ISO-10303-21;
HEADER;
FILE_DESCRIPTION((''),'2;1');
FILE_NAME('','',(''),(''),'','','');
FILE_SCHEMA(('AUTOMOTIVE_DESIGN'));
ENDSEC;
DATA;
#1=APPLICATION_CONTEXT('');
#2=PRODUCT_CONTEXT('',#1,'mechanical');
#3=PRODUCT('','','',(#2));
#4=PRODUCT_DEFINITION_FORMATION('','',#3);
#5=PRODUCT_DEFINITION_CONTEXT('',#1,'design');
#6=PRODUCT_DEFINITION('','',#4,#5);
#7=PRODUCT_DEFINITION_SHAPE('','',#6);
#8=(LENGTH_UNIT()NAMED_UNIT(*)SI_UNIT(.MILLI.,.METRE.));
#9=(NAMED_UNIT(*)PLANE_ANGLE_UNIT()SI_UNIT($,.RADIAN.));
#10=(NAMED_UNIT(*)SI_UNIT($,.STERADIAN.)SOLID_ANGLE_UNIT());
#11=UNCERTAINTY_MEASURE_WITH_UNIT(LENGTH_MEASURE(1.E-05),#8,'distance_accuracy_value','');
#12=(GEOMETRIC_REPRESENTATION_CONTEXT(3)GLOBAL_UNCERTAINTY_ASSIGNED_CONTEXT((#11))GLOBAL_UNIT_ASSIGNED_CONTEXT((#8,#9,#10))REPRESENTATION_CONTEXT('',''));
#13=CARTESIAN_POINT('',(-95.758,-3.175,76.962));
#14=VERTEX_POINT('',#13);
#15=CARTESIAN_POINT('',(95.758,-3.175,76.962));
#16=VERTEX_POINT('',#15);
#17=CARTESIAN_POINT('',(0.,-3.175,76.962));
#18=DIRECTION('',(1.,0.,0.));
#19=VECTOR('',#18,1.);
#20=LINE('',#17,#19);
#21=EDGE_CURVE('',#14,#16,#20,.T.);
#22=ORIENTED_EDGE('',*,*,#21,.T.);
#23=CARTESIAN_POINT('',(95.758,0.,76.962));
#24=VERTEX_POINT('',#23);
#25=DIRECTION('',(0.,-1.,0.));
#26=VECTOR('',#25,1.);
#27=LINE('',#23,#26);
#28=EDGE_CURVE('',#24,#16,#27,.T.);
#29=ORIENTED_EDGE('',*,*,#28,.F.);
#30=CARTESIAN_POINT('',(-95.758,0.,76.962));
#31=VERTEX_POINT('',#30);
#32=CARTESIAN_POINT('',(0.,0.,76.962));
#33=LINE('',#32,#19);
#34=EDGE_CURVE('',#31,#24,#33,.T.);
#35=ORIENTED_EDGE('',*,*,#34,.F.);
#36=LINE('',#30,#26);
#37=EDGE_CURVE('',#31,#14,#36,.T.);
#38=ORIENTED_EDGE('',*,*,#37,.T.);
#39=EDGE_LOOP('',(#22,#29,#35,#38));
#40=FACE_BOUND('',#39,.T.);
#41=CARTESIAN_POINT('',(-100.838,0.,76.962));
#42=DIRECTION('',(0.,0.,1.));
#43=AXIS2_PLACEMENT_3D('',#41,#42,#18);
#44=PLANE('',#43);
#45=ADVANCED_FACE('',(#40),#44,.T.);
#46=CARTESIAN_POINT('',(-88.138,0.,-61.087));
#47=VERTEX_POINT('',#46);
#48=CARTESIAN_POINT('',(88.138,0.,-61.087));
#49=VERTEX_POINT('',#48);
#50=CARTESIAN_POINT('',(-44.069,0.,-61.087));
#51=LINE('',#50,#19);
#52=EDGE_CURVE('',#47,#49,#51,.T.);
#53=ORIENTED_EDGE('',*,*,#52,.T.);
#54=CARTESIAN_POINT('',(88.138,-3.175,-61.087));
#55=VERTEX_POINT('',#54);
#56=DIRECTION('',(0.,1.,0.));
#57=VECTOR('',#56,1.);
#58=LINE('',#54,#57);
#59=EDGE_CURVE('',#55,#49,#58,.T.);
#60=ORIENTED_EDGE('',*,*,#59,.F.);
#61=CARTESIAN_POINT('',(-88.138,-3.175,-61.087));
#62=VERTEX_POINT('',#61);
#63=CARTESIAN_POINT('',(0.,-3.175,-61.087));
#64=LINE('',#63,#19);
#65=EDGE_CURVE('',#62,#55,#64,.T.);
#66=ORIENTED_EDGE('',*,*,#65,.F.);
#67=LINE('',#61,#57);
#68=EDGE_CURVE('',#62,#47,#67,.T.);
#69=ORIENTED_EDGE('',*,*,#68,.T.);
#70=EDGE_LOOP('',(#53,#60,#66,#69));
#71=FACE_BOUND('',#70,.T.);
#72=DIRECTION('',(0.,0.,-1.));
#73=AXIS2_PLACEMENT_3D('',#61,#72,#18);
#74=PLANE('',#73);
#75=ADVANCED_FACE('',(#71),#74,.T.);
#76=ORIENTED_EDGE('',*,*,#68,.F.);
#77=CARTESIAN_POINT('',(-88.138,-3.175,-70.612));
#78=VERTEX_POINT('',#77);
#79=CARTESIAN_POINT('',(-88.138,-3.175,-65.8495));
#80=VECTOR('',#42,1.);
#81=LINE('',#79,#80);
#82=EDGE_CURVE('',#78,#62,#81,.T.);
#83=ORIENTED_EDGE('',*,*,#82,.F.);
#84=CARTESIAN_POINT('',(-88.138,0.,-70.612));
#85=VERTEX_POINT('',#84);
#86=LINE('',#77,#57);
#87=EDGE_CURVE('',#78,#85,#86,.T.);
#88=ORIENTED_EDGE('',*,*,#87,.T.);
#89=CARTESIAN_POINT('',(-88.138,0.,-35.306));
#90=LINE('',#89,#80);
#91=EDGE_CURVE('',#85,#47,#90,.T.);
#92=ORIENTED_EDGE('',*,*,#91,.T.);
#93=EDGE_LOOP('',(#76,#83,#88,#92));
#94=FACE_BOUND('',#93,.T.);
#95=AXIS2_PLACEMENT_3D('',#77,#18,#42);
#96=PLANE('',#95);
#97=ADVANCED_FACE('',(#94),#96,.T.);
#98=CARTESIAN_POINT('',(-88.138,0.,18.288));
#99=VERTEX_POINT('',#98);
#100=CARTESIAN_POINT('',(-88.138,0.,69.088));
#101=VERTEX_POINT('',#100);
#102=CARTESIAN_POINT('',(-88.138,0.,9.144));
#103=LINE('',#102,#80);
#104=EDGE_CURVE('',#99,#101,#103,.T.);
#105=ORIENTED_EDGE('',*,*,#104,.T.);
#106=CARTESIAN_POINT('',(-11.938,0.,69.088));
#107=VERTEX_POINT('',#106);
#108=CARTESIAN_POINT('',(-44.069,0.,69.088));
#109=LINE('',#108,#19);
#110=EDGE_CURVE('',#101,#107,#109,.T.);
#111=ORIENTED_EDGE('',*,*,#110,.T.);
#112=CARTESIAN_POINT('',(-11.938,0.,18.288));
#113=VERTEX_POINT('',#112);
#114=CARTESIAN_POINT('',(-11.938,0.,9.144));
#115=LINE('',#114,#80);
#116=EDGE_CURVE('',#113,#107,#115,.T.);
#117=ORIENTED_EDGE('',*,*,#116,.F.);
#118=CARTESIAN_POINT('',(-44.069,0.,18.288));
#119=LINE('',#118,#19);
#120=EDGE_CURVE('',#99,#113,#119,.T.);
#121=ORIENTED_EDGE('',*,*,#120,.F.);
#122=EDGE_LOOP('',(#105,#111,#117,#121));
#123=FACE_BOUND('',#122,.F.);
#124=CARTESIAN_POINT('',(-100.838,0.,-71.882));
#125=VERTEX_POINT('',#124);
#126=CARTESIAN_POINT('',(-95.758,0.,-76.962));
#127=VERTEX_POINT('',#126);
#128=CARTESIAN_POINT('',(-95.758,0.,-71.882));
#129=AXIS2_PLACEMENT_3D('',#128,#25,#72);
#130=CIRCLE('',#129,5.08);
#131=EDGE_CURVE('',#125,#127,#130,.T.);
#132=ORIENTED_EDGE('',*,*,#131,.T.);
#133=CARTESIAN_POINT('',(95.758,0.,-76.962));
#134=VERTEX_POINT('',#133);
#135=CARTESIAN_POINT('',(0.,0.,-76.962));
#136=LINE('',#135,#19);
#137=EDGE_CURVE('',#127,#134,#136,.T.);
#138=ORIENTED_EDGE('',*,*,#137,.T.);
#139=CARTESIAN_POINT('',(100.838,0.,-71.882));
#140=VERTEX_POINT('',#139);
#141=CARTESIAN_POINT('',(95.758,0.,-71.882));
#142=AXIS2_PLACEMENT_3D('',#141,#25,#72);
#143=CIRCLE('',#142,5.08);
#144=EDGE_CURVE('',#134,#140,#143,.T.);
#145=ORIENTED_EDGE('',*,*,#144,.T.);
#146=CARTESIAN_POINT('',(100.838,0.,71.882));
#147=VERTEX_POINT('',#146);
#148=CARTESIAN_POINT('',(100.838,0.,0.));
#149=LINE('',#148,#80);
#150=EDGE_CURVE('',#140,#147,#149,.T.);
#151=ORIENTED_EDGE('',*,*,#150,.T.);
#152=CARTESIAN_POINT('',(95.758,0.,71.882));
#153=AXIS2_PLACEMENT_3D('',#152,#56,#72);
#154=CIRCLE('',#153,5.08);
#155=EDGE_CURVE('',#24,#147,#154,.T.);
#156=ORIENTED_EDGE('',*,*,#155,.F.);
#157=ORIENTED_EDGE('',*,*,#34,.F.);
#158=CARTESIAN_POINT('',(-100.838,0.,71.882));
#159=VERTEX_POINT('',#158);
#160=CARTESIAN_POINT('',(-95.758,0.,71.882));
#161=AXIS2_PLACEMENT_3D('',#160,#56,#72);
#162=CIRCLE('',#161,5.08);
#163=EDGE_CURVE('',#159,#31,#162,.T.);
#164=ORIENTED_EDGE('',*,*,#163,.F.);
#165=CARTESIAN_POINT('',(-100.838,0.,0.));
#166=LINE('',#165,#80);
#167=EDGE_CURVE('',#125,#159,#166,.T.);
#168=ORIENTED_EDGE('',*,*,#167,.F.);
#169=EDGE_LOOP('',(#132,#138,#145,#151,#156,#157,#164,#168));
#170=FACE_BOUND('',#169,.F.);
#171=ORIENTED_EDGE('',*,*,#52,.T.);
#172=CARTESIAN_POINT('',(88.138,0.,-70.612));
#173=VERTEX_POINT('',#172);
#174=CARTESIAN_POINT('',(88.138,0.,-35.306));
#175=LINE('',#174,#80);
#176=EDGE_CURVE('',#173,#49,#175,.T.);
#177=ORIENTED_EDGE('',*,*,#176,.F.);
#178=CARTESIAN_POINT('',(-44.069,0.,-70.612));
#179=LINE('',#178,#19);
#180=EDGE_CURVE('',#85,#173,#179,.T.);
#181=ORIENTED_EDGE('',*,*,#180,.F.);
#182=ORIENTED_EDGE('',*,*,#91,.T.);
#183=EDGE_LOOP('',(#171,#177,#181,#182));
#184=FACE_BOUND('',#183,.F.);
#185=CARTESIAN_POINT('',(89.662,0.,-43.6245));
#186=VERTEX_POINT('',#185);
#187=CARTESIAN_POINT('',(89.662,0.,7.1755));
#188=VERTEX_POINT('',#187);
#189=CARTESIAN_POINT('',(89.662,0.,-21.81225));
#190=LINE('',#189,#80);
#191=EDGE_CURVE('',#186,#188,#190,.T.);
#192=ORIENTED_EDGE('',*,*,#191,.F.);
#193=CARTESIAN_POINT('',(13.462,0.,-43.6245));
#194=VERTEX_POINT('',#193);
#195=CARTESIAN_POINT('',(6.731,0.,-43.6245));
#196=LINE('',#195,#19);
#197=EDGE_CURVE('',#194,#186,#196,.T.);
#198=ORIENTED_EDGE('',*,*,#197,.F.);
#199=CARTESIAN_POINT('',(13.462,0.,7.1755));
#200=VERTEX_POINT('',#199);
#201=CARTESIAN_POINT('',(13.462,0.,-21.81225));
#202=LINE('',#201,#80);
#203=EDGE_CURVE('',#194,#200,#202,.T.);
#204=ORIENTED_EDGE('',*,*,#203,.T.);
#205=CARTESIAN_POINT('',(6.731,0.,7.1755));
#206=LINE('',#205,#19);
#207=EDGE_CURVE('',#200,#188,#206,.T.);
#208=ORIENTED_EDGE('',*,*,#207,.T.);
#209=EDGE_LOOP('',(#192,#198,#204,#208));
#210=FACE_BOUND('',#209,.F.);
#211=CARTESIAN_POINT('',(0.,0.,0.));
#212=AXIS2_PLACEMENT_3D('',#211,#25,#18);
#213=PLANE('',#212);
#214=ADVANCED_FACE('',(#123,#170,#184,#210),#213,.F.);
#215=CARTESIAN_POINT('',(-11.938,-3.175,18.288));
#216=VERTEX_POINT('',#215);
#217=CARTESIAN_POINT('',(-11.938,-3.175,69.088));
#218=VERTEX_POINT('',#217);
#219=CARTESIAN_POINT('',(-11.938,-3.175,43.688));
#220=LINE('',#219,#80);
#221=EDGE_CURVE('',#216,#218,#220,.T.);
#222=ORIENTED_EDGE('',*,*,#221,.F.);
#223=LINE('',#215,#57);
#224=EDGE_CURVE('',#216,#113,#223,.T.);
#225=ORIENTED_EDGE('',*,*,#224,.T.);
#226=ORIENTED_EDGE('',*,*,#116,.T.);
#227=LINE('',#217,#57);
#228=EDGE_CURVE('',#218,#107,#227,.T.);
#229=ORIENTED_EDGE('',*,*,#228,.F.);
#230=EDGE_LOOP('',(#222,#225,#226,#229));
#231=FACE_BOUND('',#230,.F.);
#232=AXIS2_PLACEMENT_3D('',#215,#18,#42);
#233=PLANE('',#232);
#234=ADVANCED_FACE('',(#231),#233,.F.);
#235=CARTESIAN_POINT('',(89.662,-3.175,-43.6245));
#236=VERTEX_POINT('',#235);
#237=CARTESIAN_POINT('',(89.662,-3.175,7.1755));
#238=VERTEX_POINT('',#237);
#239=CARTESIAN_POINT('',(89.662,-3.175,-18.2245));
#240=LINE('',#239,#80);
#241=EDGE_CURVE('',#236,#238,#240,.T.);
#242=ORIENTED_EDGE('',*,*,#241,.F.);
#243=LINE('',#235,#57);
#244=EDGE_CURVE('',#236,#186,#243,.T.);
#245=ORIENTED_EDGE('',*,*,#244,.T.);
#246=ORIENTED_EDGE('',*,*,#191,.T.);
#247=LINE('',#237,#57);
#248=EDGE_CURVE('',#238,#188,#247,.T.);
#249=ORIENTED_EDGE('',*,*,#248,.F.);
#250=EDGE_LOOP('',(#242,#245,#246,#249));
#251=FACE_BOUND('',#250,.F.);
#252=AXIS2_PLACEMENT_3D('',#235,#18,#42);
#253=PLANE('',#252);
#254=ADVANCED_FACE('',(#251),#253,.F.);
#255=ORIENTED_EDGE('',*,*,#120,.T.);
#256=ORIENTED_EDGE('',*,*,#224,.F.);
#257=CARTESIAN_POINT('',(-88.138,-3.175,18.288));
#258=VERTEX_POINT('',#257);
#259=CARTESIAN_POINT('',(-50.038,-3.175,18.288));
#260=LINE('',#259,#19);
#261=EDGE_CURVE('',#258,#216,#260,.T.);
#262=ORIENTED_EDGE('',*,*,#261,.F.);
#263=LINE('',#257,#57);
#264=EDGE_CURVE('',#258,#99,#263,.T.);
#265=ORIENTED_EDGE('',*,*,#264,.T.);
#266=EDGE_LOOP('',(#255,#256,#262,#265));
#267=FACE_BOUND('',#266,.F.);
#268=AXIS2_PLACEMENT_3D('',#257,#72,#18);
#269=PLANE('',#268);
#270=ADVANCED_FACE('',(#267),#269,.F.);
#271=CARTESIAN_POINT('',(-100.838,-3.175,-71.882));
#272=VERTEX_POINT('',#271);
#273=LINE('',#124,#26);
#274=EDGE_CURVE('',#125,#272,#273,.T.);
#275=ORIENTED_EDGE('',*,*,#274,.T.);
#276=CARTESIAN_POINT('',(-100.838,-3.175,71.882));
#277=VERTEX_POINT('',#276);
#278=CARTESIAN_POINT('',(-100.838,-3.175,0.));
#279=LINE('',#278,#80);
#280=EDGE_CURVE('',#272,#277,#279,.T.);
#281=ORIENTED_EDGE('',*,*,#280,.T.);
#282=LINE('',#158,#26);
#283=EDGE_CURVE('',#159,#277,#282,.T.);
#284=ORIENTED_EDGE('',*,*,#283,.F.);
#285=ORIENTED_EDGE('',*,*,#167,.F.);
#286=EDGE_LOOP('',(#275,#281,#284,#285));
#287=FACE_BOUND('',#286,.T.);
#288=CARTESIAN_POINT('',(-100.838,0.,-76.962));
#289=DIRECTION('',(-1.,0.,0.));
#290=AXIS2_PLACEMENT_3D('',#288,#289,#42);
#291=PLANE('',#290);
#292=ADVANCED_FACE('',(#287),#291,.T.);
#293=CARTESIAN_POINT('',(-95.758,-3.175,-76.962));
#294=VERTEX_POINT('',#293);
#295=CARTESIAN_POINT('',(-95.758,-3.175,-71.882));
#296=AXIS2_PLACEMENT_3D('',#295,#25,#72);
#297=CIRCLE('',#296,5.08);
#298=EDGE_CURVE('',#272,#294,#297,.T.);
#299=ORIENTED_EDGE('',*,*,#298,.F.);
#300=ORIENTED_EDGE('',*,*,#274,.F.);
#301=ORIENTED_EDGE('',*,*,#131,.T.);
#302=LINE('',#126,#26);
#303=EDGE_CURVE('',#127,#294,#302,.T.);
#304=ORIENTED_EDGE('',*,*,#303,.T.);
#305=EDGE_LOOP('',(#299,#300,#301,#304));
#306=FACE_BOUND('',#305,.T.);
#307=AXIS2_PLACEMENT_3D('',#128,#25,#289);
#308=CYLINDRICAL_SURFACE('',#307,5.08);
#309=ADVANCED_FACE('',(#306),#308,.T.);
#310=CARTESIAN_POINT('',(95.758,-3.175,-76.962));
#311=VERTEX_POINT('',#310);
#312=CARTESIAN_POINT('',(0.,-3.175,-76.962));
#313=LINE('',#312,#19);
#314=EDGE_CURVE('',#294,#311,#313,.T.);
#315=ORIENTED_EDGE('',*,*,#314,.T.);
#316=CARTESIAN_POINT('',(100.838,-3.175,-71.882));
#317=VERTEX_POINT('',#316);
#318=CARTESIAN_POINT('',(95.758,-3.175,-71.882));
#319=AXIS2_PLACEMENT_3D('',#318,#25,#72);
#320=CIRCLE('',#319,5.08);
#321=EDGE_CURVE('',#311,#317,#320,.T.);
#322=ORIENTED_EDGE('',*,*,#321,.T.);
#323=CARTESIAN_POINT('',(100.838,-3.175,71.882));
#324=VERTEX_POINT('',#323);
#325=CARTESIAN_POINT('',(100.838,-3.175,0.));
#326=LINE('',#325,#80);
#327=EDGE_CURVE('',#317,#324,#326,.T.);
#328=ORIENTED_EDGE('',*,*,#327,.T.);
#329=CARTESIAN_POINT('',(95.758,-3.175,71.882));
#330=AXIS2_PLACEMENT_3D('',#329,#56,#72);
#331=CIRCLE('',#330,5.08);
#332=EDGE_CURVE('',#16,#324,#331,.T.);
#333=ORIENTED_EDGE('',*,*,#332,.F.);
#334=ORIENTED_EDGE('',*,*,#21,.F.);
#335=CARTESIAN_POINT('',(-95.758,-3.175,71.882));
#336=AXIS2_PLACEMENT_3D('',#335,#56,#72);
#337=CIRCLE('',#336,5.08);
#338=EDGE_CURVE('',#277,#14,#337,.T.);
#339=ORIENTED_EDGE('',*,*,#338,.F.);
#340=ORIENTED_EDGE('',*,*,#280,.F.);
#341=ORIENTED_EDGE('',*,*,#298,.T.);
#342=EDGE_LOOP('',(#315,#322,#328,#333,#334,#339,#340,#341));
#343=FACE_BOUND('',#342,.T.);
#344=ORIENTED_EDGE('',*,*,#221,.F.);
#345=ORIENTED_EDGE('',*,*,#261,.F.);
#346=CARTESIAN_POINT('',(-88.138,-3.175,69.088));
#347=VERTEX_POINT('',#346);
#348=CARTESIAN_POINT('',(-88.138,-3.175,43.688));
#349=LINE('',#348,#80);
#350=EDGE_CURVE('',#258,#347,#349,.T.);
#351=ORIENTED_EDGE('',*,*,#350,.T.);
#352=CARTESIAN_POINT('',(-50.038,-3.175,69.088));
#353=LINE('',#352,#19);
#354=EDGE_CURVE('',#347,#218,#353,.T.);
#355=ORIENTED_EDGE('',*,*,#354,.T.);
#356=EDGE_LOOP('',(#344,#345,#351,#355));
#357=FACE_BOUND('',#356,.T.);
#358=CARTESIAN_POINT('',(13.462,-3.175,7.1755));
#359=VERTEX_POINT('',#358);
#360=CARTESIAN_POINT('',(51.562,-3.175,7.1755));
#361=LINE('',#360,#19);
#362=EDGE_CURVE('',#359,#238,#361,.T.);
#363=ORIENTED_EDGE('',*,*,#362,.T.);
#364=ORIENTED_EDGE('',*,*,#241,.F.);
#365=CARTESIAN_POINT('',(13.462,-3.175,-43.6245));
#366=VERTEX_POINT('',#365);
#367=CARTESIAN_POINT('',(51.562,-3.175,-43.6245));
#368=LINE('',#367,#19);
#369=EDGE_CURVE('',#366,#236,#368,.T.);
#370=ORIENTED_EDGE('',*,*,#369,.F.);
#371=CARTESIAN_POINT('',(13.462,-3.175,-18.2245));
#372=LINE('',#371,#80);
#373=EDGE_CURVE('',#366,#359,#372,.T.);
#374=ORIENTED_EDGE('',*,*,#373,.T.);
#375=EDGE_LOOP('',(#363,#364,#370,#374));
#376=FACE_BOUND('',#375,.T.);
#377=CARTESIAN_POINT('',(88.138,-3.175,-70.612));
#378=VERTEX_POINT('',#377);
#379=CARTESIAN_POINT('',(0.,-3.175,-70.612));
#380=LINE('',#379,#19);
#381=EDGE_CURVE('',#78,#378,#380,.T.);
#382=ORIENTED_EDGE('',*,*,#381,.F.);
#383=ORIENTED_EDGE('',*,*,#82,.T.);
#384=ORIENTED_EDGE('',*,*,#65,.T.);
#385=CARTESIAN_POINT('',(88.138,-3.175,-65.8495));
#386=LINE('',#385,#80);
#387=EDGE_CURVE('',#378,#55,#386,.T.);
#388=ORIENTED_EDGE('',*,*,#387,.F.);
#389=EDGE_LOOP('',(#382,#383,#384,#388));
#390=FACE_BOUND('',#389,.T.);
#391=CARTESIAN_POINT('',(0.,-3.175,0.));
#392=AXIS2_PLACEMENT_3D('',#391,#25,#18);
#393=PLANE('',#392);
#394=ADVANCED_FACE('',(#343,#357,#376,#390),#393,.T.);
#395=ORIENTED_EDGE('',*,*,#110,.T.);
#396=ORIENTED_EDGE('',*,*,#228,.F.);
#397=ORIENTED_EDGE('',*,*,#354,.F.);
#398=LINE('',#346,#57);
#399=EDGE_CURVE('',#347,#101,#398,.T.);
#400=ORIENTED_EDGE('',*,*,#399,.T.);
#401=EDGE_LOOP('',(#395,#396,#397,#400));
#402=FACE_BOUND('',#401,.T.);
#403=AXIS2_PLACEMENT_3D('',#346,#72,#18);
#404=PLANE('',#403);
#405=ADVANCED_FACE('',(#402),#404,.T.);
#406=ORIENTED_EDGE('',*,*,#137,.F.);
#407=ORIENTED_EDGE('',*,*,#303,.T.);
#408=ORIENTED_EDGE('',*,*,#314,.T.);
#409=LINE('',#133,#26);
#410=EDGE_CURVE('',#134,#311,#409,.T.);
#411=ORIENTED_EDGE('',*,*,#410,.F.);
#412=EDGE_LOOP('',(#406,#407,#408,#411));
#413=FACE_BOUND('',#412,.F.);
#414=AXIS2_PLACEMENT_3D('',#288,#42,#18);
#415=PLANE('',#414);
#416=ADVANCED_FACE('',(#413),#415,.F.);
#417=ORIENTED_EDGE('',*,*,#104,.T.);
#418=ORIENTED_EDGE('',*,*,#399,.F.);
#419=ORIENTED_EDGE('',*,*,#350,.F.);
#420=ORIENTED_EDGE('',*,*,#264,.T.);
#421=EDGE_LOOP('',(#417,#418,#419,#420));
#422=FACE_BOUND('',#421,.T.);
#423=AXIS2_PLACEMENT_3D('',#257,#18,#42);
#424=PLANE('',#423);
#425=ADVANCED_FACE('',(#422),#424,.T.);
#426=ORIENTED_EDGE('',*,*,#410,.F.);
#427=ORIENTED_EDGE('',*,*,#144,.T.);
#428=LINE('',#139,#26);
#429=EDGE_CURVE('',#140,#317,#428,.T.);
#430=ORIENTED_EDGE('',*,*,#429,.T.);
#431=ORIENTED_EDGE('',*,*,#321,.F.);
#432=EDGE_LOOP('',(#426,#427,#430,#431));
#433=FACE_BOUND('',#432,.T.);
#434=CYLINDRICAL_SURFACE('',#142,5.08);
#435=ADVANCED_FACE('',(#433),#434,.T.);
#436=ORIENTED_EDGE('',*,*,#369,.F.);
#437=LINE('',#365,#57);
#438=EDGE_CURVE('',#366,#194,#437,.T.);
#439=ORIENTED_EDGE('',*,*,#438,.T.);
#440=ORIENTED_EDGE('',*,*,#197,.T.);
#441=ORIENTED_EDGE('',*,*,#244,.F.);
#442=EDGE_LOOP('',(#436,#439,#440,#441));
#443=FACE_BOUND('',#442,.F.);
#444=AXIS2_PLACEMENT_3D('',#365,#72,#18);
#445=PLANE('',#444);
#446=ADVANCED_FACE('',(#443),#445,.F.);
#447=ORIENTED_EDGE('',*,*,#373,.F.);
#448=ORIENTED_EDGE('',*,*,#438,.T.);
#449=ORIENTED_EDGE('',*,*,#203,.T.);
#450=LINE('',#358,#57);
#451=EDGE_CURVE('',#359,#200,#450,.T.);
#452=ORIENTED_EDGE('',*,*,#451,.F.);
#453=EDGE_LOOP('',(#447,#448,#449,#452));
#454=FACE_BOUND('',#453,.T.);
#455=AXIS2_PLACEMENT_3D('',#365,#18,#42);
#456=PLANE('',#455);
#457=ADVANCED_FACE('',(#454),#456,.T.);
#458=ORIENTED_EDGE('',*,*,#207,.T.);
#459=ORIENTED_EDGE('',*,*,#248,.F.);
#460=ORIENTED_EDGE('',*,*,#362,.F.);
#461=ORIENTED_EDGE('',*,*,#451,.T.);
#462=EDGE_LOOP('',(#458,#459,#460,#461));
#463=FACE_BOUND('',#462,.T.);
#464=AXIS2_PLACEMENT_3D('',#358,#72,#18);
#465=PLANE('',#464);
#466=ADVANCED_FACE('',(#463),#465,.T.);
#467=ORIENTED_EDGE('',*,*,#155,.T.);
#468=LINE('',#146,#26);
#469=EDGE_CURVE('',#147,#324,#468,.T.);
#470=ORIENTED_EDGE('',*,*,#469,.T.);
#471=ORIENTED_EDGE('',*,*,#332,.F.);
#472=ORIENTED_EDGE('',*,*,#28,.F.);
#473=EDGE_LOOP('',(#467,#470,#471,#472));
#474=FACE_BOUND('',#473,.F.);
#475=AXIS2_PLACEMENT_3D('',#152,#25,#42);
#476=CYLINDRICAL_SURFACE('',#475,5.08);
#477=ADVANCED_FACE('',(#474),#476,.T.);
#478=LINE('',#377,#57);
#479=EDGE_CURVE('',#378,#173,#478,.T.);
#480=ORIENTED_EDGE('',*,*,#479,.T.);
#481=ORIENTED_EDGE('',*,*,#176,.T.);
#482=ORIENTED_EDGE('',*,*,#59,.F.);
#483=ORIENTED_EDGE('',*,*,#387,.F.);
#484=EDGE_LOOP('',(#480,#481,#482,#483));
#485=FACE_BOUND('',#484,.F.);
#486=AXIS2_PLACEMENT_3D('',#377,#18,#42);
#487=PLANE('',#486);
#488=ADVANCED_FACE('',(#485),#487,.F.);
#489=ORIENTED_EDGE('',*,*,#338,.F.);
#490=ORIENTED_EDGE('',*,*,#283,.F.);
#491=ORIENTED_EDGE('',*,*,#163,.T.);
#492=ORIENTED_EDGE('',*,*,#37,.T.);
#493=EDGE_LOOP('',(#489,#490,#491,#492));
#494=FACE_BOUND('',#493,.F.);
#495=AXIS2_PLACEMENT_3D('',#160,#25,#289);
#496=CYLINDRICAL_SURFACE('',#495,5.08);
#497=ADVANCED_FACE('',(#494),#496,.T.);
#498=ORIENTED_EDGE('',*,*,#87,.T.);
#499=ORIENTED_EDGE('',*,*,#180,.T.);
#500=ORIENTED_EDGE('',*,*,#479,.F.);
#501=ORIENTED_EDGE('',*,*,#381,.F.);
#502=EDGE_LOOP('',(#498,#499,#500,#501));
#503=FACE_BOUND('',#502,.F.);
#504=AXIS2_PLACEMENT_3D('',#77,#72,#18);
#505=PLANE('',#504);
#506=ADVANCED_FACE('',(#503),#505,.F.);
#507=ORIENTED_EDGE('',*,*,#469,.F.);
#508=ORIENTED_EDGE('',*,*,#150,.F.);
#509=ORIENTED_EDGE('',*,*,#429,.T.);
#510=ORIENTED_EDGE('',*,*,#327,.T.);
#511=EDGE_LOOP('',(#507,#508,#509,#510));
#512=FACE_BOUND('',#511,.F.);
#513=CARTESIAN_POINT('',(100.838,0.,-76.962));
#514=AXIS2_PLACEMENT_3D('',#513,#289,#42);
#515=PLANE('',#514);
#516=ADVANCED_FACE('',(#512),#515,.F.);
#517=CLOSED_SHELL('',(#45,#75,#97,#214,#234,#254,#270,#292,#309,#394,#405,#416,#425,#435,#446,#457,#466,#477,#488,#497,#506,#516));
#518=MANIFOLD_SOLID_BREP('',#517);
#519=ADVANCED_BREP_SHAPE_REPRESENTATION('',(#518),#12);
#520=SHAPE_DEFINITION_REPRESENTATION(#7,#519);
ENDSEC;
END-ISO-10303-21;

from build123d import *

# Parameters (mm, degrees)
F0_W     = 201.676
F0_H     = 153.924
F1_DEPTH = 3.175
F2_W     = 76.2
F2_H     = 50.8
F3_DEPTH = 3.176
F4_W     = 176.276
F4_H     = 9.525
F5_DEPTH = 3.176
F6_R     = 5.08


with BuildPart() as f1:
    # F0 (on Front) → F1 (new body)
    with BuildSketch(Plane.XZ):
        Rectangle(F0_W, F0_H)
    extrude(amount=F1_DEPTH)

    # F2 (on face) → F3 (cut, through all)
    with BuildSketch(Plane.XZ.offset(3.175)):
        with Locations((-50.038, 43.688)):
            Rectangle(F2_W, F2_H)
        with Locations((51.562, -18.2245)):
            Rectangle(F2_W, F2_H)
    extrude(amount=-F3_DEPTH, mode=Mode.SUBTRACT)

    # F4 (on face) → F5 (cut, through all)
    with BuildSketch(Plane.XZ.offset(3.175)):
        with Locations((0, -65.8495)):
            Rectangle(F4_W, F4_H)
    extrude(amount=-F5_DEPTH, mode=Mode.SUBTRACT)

    # F6
    f6_edges = [f1.edges().sort_by_distance(p)[0] for p in [
        (100.838, -1.5875, 76.962),
        (100.838, -1.5875, -76.962),
        (-100.838, -1.5875, 76.962),
        (-100.838, -1.5875, -76.962),
    ]]
    fillet(f6_edges, radius=F6_R)


solid = f1.part
